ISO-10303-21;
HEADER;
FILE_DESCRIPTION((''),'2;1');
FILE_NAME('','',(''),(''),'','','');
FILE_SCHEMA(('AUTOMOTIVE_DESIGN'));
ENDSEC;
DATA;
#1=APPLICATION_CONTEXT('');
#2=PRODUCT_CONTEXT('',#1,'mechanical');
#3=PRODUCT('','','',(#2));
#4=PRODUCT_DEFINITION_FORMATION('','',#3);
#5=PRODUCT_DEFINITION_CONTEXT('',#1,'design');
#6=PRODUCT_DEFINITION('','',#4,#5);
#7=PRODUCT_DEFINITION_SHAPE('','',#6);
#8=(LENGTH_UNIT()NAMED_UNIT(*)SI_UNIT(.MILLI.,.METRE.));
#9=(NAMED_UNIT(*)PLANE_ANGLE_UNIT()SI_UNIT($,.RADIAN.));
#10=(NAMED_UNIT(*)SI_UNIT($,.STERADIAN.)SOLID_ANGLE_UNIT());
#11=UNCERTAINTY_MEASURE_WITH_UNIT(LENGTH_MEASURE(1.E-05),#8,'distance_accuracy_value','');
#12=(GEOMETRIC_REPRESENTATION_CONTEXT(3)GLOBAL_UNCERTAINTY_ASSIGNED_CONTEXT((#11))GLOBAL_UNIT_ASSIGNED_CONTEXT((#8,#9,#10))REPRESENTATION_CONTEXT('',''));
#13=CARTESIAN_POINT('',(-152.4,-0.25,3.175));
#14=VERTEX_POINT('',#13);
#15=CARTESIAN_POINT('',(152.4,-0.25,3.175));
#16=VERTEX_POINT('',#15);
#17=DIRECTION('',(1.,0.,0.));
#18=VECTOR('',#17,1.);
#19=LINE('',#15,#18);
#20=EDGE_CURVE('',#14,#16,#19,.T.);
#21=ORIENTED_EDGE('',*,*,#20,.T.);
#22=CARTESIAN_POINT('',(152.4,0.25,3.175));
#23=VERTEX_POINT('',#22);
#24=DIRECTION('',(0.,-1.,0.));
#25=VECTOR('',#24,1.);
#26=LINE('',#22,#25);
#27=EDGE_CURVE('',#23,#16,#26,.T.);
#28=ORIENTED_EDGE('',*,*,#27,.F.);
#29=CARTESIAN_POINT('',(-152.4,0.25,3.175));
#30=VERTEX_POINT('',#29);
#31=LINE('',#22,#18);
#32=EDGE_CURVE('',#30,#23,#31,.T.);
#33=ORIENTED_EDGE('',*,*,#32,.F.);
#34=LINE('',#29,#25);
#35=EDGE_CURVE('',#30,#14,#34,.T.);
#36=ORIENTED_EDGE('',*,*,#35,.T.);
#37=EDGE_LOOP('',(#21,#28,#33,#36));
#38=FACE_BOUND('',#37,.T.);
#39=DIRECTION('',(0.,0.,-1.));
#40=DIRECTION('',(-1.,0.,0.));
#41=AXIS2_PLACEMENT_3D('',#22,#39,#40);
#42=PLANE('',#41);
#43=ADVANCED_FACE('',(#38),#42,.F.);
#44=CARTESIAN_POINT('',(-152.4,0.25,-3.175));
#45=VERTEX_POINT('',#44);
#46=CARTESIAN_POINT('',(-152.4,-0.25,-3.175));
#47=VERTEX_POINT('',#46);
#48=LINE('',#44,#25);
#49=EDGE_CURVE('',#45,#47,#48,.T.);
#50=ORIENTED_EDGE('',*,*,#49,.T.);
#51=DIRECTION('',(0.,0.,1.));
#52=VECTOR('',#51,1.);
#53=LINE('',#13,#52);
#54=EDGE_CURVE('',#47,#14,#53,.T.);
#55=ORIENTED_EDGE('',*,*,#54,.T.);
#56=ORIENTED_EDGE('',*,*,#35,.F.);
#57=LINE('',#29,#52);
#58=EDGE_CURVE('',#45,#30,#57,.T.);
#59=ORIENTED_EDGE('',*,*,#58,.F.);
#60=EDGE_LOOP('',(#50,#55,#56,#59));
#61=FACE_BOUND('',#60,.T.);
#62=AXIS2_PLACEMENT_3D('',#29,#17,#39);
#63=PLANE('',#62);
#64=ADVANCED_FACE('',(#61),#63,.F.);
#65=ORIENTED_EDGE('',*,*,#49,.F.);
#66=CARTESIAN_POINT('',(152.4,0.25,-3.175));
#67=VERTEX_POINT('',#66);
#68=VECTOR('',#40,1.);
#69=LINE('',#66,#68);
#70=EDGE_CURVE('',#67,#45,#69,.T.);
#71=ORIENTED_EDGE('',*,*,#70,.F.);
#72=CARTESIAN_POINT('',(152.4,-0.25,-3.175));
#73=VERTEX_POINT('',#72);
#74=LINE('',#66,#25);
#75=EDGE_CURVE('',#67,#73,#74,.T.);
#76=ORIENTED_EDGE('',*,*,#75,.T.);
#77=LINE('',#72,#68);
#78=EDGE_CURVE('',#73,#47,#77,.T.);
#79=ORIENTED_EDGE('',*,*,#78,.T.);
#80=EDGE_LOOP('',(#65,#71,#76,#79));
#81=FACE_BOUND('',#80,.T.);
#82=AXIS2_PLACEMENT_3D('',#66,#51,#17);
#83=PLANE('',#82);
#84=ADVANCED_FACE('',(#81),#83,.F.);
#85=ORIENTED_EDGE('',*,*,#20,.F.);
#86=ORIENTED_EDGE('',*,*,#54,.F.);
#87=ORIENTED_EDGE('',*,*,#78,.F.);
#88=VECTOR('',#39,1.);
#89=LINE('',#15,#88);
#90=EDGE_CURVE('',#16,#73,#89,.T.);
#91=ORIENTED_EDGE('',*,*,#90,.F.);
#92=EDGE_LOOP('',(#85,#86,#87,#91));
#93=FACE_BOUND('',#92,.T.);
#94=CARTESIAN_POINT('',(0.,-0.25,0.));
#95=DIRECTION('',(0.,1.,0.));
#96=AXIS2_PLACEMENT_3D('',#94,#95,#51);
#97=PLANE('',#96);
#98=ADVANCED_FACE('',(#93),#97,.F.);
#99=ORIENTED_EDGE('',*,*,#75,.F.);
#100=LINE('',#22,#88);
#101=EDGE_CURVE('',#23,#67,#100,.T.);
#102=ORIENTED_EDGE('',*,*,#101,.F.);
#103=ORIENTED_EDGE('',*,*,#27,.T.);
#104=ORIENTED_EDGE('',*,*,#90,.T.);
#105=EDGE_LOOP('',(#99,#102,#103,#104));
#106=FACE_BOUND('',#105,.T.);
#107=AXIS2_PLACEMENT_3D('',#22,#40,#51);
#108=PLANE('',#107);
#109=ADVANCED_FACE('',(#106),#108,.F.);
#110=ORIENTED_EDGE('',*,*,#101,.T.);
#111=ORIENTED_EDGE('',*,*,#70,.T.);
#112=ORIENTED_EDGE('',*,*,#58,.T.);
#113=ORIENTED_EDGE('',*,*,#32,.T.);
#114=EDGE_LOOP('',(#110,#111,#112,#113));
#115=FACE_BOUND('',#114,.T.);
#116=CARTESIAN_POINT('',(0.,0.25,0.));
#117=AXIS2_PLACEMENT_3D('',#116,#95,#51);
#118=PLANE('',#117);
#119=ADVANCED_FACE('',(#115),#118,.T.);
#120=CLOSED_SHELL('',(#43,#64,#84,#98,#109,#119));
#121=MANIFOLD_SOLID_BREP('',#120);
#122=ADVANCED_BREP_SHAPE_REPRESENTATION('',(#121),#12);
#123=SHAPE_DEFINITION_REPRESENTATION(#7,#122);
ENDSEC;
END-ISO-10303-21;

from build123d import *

# Parameters (mm, degrees)
SKETCH1_W           = 304.8
SKETCH1_H           = 6.35
BOSS_EXTRUDE1_DEPTH = 0.25


with BuildPart() as part:
    # Sketch1 → Boss-Extrude1 (new body, symmetric)
    with BuildSketch(Plane(origin=(0, 0, 0), x_dir=(1, 0, 0), z_dir=(0, 1, 0))):
        Rectangle(SKETCH1_W, SKETCH1_H)
    extrude(amount=BOSS_EXTRUDE1_DEPTH, both=True)


solid = part.part
